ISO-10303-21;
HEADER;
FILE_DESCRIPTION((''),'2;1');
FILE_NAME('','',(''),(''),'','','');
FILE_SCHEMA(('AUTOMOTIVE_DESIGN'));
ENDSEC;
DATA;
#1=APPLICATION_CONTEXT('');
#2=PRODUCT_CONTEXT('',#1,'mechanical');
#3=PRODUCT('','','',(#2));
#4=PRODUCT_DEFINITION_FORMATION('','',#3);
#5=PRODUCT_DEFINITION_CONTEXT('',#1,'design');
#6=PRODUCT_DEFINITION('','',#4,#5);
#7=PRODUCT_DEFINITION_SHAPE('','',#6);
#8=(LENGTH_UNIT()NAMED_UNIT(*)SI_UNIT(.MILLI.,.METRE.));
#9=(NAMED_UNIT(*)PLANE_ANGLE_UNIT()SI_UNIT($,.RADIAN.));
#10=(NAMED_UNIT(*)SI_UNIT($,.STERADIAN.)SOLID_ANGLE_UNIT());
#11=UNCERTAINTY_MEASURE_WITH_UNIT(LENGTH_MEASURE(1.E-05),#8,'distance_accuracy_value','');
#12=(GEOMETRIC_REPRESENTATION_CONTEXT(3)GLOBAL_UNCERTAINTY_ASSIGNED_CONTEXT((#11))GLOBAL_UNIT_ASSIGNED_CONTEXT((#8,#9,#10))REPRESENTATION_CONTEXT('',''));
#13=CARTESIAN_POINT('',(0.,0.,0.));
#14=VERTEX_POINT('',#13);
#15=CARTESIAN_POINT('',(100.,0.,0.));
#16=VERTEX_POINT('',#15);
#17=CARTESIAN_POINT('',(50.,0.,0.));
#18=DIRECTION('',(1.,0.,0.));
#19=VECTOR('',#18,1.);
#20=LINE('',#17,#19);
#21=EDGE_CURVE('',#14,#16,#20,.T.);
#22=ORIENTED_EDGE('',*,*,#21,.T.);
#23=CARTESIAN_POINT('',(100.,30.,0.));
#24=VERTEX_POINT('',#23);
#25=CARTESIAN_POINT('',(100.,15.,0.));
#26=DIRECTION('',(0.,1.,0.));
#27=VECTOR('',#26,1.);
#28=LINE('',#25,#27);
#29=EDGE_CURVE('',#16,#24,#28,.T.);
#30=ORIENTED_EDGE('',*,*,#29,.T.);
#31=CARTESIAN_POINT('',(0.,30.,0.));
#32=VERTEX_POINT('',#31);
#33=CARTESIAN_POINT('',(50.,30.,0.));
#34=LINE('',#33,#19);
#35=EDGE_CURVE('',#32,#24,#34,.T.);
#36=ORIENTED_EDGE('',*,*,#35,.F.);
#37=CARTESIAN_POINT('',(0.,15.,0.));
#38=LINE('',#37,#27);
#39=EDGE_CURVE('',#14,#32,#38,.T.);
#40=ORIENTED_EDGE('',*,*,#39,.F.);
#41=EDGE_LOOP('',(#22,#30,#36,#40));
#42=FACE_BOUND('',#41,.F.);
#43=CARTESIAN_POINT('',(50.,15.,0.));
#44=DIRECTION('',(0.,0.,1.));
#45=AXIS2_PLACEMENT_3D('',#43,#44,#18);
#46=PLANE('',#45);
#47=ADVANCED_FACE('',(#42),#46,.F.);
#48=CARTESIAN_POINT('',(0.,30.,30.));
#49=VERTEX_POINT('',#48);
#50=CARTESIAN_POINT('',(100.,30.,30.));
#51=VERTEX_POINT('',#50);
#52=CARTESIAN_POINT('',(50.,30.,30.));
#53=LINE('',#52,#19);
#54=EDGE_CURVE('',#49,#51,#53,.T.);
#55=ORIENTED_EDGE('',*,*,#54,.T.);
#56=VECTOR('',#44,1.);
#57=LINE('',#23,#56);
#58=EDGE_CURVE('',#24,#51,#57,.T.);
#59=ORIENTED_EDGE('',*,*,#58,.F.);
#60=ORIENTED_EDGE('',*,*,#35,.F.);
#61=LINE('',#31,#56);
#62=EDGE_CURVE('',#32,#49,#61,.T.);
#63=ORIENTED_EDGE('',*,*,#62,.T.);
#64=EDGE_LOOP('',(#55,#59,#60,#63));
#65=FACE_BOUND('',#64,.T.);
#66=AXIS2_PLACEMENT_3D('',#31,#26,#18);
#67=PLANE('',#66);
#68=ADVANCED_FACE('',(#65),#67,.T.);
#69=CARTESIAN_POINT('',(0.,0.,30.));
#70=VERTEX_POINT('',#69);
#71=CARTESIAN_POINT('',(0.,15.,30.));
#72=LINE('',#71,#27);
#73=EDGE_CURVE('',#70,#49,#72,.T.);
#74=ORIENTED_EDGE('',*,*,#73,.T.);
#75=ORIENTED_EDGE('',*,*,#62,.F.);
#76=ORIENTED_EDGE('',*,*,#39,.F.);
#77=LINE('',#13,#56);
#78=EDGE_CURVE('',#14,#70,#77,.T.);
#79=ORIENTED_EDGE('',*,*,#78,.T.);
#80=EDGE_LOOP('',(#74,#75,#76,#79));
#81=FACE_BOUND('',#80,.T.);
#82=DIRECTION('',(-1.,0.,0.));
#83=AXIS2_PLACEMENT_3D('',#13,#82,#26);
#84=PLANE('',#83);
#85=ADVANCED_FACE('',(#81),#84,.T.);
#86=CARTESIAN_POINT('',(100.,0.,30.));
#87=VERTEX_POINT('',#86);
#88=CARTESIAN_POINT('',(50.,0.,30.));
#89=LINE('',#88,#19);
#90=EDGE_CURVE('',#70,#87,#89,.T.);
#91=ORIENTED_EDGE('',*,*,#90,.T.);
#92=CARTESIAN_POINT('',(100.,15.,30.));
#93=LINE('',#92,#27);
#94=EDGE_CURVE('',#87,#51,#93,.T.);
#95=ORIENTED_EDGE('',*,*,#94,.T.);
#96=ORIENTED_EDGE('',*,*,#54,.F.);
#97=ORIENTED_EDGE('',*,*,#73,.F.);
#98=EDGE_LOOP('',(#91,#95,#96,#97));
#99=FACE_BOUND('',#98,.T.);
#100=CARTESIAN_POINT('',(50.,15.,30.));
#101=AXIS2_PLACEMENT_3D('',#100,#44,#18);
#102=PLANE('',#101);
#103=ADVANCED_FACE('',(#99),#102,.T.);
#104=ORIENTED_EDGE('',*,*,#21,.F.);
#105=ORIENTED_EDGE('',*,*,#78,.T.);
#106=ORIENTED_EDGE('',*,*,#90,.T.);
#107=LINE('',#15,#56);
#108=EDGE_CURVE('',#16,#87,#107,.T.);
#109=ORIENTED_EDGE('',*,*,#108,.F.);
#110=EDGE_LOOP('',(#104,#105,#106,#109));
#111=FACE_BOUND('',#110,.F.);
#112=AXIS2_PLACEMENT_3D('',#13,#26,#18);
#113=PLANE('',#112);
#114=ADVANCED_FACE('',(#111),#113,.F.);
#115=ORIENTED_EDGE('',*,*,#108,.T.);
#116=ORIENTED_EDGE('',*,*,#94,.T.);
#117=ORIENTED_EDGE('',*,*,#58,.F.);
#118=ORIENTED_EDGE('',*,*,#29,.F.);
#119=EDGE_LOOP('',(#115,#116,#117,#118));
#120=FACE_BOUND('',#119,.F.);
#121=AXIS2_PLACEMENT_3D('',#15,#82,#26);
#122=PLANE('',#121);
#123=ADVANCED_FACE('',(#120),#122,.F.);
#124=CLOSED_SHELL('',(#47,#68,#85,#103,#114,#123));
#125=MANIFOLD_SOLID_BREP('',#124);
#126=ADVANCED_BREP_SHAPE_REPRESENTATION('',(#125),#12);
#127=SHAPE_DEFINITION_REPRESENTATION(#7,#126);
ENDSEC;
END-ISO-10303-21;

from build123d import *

# Parameters (mm, degrees)
BOX_W     = 100
BOX_H     = 30
BOX_DEPTH = 30


with BuildPart() as part:
    # Box → Box (new body)
    with BuildSketch(Plane.XY):
        with Locations((50, 15)):
            Rectangle(BOX_W, BOX_H)
    extrude(amount=BOX_DEPTH)


solid = part.part
